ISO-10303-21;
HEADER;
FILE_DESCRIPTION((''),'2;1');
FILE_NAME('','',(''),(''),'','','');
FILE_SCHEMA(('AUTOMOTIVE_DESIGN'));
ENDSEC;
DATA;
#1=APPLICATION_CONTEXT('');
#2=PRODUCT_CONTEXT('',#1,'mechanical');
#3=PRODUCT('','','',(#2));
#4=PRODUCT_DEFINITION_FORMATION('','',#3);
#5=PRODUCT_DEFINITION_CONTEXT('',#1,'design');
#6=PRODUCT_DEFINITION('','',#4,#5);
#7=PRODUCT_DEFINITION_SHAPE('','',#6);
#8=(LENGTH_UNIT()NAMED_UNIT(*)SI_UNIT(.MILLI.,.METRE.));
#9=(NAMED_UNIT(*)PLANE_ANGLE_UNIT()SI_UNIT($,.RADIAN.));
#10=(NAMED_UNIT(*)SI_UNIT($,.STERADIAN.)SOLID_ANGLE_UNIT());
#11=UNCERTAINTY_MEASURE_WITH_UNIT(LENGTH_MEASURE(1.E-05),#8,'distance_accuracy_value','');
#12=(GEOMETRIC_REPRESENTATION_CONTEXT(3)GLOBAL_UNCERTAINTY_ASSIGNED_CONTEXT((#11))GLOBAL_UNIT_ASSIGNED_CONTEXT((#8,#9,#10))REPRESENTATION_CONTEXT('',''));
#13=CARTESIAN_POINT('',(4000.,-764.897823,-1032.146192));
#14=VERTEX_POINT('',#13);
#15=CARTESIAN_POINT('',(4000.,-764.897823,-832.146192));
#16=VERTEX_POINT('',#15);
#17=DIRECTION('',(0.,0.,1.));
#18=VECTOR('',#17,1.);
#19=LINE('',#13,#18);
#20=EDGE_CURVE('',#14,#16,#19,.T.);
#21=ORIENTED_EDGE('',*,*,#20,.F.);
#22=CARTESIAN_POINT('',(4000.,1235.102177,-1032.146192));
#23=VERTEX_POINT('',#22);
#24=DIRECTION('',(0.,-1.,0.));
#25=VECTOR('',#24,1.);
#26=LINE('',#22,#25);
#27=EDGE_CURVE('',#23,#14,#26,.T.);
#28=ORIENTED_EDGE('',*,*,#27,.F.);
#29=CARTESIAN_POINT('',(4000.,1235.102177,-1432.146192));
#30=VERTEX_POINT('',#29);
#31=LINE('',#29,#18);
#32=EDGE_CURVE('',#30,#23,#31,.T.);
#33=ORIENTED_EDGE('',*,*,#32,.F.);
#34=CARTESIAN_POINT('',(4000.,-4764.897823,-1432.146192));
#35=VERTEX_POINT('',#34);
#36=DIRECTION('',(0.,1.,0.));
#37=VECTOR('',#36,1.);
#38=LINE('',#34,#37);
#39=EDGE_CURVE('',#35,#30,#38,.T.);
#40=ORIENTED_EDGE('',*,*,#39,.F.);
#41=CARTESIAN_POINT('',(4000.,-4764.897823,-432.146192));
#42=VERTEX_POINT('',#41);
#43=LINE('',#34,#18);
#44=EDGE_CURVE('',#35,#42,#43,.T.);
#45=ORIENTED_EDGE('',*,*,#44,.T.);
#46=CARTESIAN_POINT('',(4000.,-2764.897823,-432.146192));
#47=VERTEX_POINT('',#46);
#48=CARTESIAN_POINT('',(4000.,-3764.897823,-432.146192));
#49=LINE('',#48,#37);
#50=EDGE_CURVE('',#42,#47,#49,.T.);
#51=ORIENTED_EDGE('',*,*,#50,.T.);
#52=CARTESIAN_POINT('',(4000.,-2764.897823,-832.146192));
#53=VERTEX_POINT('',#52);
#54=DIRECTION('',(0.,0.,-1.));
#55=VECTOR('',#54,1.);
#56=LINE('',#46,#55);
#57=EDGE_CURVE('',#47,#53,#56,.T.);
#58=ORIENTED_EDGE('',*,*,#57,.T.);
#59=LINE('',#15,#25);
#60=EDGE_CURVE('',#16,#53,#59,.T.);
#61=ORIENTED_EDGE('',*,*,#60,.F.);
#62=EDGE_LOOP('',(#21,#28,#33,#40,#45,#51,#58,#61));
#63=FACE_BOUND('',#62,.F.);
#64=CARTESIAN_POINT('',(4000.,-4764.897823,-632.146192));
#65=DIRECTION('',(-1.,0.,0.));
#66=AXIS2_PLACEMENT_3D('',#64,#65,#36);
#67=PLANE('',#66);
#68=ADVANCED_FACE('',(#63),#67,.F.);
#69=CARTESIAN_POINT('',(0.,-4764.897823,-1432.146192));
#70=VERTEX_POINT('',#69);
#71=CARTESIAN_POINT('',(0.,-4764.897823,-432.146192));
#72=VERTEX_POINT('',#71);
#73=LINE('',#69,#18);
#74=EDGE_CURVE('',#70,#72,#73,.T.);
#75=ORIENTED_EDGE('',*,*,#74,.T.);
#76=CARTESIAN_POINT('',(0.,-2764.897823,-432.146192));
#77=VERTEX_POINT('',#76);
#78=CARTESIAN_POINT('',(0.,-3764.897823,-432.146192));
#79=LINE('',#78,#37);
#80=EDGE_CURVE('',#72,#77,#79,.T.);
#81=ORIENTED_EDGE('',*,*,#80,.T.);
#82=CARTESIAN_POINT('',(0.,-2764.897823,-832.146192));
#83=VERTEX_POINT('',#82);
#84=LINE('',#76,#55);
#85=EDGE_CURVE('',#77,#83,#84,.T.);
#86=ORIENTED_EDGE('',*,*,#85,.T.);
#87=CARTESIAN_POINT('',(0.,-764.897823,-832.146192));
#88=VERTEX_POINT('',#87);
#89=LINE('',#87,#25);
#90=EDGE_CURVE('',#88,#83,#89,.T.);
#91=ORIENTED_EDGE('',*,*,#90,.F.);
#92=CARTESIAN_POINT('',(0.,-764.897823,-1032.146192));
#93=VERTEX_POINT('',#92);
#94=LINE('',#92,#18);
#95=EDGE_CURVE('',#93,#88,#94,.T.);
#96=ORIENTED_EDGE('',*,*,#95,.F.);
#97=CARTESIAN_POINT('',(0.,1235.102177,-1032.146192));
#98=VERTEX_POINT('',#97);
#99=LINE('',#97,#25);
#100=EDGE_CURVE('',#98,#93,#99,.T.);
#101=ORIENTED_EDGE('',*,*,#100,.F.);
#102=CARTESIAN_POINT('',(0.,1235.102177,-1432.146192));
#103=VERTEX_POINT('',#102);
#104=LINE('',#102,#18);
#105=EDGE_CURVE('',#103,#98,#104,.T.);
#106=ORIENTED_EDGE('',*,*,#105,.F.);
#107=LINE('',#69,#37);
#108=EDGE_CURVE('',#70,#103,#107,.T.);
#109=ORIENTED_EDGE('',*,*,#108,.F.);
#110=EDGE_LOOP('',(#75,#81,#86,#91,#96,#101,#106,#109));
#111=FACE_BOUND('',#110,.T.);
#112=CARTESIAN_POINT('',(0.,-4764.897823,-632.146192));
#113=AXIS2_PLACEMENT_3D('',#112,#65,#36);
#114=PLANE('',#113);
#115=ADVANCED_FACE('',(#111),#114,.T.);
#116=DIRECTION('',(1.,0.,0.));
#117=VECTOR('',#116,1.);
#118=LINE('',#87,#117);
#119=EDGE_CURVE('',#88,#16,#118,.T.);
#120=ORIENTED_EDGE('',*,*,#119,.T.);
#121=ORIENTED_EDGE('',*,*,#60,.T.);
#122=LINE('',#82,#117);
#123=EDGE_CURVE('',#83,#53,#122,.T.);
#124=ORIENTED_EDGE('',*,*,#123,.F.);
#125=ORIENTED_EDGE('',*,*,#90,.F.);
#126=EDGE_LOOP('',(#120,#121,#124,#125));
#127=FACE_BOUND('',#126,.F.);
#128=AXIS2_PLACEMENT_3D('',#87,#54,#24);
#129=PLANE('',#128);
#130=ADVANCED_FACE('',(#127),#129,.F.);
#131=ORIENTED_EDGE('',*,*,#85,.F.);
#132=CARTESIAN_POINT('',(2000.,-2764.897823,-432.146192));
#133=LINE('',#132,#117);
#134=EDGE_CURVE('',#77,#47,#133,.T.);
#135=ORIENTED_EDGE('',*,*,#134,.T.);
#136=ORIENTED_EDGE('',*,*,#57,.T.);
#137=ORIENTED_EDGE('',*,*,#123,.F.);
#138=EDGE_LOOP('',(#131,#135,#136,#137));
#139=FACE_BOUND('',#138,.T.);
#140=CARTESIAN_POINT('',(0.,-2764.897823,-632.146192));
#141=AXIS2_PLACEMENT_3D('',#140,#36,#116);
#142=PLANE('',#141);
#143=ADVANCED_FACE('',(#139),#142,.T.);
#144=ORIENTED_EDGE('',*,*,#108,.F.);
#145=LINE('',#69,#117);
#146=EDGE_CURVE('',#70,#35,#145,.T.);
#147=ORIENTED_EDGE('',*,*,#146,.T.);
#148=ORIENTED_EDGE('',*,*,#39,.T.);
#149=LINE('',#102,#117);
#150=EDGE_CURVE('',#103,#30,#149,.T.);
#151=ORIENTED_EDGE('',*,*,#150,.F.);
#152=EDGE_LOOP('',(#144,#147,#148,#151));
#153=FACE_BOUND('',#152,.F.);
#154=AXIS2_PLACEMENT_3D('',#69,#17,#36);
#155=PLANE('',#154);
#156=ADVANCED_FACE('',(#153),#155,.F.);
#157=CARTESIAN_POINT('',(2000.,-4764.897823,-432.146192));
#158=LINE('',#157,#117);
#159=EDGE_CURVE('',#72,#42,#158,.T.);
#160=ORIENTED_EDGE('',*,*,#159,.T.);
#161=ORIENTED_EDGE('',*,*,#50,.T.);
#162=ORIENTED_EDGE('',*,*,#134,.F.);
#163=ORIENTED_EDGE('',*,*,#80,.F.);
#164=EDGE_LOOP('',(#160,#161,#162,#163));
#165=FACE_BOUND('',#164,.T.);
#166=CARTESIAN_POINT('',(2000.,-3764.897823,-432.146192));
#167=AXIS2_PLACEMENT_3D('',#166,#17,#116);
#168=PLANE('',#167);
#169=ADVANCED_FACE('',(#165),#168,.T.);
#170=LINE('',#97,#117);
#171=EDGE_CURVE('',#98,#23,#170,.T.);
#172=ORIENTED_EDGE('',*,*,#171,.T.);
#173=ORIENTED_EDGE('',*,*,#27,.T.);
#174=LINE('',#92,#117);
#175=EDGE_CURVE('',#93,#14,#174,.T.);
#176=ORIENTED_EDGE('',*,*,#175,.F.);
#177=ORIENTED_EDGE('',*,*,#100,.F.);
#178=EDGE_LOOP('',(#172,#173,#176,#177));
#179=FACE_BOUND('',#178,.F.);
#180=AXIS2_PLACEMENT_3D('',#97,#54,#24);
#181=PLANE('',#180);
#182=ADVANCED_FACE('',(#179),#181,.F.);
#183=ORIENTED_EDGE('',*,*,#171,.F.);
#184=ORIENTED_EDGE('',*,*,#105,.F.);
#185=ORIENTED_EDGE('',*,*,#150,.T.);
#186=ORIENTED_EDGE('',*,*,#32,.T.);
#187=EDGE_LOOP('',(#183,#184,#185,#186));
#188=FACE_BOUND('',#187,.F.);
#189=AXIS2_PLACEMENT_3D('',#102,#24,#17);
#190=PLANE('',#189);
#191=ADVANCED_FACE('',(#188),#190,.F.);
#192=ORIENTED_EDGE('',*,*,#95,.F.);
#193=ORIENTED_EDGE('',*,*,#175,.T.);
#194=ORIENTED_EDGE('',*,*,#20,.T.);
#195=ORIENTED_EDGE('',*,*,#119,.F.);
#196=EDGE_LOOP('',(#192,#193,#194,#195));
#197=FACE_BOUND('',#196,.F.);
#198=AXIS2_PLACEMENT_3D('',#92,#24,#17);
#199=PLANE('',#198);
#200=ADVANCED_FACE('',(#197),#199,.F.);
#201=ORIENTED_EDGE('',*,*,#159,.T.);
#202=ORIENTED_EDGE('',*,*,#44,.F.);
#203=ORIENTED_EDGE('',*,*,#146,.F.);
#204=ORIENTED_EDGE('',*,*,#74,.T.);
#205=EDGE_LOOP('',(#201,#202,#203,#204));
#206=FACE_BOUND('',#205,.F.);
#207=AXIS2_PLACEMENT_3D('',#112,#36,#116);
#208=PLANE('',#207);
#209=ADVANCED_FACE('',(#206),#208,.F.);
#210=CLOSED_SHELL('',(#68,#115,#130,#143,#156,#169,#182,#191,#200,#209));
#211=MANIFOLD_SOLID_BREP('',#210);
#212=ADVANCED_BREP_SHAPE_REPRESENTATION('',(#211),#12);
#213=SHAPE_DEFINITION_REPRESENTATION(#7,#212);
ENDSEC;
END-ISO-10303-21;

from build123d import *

# Parameters (mm, degrees)
F1_DEPTH  = 4000
F1_FACE_W = 4000
F1_FACE_H = 2000
F2_DEPTH  = 200


with BuildPart() as f1:
    # F0 (on Right) → F1 (new body)
    with BuildSketch(Plane.YZ):
        Polygon((-4764.897823, -632.146192), (-4764.897823, -1432.146192), (1235.102177, -1432.146192), (1235.102177, -1032.146192), (-764.897823, -1032.146192), (-764.897823, -832.146192), (-2764.897823, -832.146192), (-2764.897823, -632.146192), align=None)
    extrude(amount=F1_DEPTH)

    # F1_face (on face) → F2 (join)
    with BuildSketch(Plane(origin=(2000, -3764.897823, -632.146192), x_dir=(1, 0, 0), z_dir=(0, 0, 1))):
        Rectangle(F1_FACE_W, F1_FACE_H)
    extrude(amount=F2_DEPTH)


solid = f1.part
